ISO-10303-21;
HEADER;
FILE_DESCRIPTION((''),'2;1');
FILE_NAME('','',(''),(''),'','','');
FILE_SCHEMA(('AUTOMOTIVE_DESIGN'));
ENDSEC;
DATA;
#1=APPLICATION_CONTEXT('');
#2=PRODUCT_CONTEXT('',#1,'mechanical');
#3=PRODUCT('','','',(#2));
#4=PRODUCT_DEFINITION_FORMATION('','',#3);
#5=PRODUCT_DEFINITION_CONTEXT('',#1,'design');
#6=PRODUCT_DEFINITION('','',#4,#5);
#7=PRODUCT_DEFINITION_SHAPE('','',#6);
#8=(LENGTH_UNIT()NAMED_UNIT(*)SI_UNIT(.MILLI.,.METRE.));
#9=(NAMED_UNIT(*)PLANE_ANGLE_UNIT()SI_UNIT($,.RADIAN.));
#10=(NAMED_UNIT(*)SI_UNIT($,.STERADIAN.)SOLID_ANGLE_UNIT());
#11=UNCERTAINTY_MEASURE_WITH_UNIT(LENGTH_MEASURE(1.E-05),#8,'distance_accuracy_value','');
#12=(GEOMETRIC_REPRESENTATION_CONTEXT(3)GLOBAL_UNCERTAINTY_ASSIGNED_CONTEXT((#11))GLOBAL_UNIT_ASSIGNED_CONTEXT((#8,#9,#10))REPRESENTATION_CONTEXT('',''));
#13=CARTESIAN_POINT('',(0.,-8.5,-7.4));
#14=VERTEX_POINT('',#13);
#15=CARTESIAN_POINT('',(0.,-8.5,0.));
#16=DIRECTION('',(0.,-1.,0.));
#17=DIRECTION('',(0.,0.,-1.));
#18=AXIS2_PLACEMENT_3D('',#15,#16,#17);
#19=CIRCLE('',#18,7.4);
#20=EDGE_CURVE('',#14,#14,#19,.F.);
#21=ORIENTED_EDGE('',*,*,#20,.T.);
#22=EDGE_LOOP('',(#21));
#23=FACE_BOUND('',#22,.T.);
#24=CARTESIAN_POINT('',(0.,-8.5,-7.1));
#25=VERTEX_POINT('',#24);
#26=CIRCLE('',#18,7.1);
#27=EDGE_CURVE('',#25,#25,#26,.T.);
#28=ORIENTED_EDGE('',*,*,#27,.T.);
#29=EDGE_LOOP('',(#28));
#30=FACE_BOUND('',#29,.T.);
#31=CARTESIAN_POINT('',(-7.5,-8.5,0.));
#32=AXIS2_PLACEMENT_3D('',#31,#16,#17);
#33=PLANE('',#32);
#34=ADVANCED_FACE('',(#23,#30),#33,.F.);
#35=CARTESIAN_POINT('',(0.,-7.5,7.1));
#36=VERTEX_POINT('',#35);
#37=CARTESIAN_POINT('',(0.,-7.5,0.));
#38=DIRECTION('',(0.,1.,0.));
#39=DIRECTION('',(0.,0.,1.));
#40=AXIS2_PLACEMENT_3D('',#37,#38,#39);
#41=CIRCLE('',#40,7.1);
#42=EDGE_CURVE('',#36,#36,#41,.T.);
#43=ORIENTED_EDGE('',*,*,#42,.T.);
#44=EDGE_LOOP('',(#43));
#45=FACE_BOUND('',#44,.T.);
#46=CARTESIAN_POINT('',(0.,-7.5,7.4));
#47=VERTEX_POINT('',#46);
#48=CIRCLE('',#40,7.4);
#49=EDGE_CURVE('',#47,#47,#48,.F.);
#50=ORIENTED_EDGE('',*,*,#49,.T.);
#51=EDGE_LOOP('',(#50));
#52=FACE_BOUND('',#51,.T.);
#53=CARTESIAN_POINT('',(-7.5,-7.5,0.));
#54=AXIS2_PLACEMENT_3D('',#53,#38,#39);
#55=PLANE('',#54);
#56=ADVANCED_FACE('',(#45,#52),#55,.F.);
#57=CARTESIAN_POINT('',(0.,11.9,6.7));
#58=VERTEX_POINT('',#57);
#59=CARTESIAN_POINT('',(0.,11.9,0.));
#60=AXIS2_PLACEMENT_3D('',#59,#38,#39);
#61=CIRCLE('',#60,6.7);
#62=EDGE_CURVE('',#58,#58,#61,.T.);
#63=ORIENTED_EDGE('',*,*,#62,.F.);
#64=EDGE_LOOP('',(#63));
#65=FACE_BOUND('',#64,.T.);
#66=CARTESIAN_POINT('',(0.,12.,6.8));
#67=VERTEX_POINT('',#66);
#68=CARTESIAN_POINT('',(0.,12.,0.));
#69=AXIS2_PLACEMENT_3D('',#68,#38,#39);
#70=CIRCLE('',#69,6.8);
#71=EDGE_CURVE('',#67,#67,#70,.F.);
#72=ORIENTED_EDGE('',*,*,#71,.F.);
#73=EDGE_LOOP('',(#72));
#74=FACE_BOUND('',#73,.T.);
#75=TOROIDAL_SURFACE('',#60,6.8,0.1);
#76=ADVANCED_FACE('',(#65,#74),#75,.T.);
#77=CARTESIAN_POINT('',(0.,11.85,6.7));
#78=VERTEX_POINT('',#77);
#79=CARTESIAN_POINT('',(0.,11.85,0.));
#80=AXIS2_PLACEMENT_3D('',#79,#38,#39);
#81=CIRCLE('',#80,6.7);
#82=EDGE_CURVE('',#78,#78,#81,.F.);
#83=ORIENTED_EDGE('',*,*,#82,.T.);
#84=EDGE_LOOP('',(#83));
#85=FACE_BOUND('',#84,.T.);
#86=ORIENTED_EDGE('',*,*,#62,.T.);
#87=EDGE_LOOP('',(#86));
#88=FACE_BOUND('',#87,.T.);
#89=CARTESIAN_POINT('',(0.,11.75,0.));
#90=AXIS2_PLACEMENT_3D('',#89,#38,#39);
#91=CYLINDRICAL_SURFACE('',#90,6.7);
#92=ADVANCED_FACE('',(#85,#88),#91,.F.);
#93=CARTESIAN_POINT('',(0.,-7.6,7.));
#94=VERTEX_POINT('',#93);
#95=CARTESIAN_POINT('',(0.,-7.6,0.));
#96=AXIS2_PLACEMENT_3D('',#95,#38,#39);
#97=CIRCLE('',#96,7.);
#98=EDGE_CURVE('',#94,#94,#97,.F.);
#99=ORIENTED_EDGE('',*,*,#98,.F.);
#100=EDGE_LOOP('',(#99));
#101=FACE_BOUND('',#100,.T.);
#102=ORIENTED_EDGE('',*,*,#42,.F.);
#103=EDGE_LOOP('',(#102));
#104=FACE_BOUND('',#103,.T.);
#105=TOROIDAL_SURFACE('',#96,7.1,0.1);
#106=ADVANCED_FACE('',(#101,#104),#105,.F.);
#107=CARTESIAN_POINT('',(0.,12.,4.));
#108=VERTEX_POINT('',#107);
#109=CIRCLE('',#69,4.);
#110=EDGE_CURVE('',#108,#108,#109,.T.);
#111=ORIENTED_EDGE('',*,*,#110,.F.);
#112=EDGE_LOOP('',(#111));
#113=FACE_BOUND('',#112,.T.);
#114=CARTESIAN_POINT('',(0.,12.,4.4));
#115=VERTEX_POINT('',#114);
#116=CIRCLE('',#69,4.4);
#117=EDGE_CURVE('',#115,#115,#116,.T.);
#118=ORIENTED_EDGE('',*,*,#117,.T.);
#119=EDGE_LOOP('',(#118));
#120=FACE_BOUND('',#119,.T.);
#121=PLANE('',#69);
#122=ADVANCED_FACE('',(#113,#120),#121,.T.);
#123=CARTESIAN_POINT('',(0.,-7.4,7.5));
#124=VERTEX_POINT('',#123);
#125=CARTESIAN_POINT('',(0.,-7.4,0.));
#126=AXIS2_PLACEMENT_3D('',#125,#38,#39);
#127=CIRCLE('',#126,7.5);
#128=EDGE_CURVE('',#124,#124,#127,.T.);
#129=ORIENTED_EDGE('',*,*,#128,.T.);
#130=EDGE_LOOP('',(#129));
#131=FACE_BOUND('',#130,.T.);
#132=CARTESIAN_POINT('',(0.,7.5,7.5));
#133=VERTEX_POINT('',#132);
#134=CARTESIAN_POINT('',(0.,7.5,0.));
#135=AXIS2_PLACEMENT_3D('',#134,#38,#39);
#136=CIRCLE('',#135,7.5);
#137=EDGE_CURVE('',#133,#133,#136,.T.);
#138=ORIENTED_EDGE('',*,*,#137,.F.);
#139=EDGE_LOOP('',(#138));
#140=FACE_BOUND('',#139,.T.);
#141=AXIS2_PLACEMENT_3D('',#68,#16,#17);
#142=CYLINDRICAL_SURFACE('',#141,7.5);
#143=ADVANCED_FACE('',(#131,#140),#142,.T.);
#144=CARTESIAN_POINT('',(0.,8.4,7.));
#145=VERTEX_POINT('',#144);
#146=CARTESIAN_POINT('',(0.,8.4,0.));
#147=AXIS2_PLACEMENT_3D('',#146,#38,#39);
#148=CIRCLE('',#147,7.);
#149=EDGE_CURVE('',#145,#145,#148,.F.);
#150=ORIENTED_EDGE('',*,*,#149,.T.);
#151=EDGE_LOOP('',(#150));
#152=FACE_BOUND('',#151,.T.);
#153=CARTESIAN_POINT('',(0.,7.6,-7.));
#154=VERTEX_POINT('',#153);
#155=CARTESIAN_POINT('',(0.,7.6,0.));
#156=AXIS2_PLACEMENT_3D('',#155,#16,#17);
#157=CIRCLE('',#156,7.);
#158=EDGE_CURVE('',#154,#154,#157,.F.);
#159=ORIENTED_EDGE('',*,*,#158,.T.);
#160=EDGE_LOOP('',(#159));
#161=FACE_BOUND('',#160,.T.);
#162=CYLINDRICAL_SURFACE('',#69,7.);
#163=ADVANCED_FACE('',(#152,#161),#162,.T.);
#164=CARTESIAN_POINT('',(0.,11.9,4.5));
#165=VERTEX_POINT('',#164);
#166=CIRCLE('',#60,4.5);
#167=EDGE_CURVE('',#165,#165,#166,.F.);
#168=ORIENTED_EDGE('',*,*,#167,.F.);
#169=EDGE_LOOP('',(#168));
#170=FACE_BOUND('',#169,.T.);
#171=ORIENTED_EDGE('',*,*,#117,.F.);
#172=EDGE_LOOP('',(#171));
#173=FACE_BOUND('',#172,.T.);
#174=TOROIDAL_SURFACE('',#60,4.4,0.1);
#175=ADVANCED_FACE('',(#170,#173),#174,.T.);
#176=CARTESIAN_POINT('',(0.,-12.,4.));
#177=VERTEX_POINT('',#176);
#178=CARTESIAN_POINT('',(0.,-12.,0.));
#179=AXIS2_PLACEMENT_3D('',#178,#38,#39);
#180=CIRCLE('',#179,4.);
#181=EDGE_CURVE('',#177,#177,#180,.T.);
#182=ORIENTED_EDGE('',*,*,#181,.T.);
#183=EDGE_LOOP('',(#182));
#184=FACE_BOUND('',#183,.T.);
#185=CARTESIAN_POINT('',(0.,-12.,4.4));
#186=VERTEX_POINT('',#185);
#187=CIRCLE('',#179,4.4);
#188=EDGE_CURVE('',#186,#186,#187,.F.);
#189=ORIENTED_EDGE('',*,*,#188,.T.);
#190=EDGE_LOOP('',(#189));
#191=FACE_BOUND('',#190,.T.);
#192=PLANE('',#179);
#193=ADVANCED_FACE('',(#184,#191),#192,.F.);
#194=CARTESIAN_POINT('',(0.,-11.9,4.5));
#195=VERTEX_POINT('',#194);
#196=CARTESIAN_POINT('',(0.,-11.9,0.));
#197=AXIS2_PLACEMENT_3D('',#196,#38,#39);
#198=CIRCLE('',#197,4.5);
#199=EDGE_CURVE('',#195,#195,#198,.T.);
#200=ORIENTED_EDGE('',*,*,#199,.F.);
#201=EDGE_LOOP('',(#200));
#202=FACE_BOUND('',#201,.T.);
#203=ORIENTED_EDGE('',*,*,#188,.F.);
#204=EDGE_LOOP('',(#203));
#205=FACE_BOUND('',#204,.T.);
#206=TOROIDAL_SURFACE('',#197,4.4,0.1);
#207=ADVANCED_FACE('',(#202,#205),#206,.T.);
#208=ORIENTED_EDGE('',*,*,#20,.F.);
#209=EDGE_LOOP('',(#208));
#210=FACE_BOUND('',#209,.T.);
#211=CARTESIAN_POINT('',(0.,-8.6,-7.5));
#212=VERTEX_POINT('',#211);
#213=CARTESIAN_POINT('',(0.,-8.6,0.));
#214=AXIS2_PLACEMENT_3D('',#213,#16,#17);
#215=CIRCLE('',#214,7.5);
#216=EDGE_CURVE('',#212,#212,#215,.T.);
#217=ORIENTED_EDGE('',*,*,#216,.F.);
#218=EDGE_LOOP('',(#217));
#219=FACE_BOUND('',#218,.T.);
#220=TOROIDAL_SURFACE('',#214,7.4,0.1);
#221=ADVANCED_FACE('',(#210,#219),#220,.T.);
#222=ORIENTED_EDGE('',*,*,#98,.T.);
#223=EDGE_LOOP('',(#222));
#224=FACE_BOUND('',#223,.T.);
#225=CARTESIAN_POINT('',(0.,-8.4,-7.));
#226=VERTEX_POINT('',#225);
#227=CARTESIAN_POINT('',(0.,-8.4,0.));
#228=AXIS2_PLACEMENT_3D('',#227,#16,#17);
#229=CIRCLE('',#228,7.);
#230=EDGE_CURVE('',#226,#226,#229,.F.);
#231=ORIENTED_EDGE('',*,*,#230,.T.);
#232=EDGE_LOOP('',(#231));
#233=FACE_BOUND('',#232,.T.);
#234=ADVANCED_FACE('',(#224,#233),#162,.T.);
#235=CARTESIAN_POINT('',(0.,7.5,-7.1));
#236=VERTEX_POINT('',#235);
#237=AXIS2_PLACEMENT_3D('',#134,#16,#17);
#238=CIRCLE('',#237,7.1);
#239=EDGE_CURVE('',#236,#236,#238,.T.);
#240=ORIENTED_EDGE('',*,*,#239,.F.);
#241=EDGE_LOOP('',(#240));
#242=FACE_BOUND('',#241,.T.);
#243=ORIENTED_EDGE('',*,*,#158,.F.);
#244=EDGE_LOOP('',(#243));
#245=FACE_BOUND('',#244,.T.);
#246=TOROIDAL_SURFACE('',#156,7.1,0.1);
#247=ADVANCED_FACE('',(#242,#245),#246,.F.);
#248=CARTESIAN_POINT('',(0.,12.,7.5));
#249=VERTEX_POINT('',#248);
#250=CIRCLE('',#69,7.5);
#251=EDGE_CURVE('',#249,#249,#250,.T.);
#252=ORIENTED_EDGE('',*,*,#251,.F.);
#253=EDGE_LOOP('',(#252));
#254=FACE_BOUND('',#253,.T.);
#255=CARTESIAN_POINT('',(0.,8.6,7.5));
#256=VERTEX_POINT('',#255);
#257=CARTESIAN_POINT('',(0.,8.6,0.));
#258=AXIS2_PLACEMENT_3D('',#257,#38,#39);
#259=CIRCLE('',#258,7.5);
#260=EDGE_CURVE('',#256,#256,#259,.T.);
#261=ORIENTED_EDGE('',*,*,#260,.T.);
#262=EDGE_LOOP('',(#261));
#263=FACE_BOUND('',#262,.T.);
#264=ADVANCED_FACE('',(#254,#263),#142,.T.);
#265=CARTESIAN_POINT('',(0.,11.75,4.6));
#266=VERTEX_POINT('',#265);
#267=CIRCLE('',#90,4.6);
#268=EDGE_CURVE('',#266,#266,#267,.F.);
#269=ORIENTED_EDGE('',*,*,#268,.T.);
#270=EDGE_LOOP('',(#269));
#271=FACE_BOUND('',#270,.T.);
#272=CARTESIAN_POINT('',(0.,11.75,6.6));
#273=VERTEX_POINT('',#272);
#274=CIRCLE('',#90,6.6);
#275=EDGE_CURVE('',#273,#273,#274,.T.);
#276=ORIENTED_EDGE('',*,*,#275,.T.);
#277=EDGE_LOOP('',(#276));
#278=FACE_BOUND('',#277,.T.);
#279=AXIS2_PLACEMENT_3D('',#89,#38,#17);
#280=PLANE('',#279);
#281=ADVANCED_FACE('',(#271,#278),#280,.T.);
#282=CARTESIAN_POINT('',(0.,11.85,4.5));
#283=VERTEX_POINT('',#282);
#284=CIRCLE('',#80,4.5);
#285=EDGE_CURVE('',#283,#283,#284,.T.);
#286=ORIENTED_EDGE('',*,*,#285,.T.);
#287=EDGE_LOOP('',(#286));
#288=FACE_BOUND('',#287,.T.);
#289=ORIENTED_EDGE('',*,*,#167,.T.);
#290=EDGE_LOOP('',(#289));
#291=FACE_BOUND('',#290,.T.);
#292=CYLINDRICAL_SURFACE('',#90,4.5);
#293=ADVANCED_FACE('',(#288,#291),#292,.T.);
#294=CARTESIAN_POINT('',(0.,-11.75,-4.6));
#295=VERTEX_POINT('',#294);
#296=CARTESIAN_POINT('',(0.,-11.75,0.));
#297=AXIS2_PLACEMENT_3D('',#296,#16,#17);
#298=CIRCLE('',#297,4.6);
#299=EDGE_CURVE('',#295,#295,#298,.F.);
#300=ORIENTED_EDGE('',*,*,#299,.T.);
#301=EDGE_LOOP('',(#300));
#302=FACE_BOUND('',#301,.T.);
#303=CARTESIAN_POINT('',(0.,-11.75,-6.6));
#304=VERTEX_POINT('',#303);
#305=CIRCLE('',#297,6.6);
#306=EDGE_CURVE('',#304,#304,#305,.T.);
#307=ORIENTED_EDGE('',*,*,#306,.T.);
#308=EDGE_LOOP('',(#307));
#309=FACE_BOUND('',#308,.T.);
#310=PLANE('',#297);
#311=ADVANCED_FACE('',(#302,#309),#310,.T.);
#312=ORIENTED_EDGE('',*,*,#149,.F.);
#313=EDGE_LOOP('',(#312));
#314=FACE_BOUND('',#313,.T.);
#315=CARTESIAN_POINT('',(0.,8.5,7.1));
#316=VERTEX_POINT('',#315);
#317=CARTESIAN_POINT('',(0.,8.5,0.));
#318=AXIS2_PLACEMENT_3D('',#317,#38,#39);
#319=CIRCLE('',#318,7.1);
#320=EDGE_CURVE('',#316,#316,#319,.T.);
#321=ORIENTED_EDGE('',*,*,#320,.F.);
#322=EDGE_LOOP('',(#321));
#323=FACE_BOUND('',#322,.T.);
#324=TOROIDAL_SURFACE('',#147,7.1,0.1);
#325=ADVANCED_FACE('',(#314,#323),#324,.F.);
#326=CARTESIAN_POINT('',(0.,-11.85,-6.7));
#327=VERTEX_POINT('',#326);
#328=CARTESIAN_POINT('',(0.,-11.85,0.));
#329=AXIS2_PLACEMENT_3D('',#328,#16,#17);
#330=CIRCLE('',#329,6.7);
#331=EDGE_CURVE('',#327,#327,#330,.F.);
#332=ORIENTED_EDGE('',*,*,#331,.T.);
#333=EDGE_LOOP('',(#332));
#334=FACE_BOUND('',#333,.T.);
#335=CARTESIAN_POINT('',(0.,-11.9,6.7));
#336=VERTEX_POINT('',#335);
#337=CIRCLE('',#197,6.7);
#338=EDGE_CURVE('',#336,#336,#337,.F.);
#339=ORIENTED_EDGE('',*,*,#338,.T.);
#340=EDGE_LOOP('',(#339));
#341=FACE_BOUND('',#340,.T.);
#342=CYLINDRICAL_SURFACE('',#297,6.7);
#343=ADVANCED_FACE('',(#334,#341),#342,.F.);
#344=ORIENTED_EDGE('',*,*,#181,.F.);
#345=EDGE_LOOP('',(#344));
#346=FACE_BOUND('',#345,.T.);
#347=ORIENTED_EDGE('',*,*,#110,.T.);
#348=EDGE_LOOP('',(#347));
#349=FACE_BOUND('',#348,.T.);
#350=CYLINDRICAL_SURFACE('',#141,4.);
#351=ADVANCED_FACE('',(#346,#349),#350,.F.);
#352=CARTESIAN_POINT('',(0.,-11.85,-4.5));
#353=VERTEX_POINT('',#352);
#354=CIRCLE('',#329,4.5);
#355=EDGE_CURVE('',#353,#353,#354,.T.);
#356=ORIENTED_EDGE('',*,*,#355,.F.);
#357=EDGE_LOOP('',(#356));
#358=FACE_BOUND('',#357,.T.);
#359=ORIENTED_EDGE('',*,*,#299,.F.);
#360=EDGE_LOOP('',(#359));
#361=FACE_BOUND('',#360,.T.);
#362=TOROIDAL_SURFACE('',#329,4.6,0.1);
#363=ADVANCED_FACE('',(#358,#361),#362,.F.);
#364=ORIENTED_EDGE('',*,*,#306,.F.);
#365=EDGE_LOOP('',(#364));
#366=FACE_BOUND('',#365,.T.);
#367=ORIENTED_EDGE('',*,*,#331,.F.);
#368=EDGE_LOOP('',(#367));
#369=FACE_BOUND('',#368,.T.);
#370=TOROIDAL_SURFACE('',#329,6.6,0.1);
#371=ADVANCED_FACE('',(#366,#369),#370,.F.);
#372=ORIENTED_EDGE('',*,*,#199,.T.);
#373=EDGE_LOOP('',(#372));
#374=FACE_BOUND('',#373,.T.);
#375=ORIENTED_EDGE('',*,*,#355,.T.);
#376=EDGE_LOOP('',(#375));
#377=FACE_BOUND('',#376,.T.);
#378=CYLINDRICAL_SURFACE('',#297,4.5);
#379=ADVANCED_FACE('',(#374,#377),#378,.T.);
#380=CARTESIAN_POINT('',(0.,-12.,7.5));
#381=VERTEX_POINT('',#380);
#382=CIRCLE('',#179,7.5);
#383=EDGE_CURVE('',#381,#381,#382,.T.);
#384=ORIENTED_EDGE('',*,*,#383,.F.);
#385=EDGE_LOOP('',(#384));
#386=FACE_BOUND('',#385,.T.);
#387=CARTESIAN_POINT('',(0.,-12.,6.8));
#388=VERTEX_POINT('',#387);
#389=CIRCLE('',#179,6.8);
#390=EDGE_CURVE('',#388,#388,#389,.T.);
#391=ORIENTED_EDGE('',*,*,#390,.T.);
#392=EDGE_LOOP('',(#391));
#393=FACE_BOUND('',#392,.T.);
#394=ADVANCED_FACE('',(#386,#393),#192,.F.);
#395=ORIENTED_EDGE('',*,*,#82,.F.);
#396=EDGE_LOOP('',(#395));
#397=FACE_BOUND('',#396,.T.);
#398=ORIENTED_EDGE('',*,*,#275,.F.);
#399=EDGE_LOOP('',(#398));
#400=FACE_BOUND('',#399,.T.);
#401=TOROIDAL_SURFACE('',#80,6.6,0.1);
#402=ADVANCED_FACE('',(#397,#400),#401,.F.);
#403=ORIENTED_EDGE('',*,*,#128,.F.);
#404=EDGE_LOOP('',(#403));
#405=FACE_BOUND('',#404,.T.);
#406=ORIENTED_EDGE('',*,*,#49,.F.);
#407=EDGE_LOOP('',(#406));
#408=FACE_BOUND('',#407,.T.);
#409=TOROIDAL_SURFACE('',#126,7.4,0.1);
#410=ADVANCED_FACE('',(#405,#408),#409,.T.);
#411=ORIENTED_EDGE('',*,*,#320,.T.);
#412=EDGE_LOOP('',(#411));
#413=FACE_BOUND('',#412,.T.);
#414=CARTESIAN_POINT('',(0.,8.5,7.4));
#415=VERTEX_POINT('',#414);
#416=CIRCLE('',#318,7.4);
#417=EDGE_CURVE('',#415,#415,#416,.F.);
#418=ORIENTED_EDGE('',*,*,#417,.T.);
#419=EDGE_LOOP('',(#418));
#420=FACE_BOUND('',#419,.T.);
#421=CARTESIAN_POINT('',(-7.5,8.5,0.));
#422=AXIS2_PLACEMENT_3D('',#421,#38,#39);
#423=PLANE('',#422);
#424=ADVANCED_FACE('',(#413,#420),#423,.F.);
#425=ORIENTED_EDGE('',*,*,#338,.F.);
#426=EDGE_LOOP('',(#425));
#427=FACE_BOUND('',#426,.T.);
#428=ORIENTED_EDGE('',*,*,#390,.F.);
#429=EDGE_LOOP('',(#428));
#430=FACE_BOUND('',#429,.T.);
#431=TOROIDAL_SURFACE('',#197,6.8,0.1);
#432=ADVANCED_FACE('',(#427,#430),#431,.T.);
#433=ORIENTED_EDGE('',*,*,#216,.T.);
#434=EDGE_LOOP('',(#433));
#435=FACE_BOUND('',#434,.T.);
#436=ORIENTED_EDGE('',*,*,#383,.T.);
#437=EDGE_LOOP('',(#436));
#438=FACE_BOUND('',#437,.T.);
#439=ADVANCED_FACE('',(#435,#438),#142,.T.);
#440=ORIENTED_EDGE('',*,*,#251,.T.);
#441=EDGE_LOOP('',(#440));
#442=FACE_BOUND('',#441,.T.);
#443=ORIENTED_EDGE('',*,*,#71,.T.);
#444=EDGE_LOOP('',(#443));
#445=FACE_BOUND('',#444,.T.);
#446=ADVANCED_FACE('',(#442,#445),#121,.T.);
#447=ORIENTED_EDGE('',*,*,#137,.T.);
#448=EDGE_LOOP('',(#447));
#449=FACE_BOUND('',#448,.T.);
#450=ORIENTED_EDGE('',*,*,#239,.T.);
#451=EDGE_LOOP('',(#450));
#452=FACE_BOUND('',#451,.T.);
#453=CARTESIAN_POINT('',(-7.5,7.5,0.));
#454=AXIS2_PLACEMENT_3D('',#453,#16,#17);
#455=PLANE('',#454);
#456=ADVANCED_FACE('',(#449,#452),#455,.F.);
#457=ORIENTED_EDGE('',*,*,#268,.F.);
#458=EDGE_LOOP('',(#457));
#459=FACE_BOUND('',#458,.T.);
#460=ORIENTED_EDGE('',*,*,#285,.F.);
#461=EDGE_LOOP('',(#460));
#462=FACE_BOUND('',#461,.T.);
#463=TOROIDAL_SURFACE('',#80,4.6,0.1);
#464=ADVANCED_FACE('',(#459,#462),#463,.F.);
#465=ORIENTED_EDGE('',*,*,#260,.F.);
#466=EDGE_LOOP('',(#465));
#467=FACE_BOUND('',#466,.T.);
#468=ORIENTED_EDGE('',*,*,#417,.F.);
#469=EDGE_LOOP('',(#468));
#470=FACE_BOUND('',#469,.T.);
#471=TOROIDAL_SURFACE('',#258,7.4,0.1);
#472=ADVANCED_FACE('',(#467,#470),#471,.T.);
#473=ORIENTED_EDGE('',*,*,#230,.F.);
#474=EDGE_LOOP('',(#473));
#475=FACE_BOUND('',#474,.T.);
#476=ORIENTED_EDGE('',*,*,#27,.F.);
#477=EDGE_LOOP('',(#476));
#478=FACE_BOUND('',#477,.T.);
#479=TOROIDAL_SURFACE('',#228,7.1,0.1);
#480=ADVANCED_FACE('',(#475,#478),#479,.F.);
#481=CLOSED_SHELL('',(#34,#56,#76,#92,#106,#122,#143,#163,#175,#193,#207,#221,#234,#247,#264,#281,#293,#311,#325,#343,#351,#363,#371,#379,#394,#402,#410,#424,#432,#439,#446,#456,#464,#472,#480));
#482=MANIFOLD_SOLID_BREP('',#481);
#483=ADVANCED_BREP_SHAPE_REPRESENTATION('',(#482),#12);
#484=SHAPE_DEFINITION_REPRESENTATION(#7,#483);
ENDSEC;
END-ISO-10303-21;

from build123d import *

# Parameters (mm, degrees)
SKETCH1_R           = 7.5
SKETCH1_R_2         = 4
BOSS_EXTRUDE1_DEPTH = 12
SKETCH2_W           = 0.5
SKETCH2_H           = 1
SKETCH3_R           = 6.7
SKETCH3_R_2         = 4.5
CUT_EXTRUDE1_DEPTH  = 0.25
FILLET1_R           = 0.1


with BuildPart() as part:
    # Sketch1 → Boss-Extrude1 (new, symmetric)
    with BuildSketch(Plane(origin=(0, 0, 0), x_dir=(1, 0, 0), z_dir=(0, 1, 0))):
        with Locations(Location((0, 0, 0), (0, 0, 270))):
            Circle(SKETCH1_R)
        with Locations(Location((0, 0, 0), (0, 0, 270))):
            Circle(SKETCH1_R_2, mode=Mode.SUBTRACT)
    extrude(amount=BOSS_EXTRUDE1_DEPTH, both=True)

    # Sketch2 → Cut-Revolve2 (revolve, cut)
    with BuildSketch(Plane.XY, mode=Mode.PRIVATE) as cut_revolve2_sk:
        with Locations((-7.25, 8)):
            Rectangle(SKETCH2_W, SKETCH2_H)
        with Locations((-7.25, -8)):
            Rectangle(SKETCH2_W, SKETCH2_H)
    revolve(cut_revolve2_sk.sketch.rotate(Axis((0, 12, 0), (0, -1, 0)), 270), axis=Axis((0, 12, 0), (0, -1, 0)), mode=Mode.SUBTRACT)

    # Sketch3 → Cut-Extrude1 (cut)
    with BuildSketch(Plane.XZ.offset(12)):
        with Locations(Location((0, 0, 0), (0, 0, 270))):
            Circle(SKETCH3_R)
        with Locations(Location((0, 0, 0), (0, 0, 270))):
            Circle(SKETCH3_R_2, mode=Mode.SUBTRACT)
    cut_extrude1 = extrude(amount=-CUT_EXTRUDE1_DEPTH, mode=Mode.SUBTRACT)

    # Mirror1: Cut-Extrude1 across plane
    add(cut_extrude1.mirror(Plane.ZX), mode=Mode.SUBTRACT)

    # Fillet1
    fillet1_edges = [part.edges().sort_by_distance(p)[0] for p in [
        (0, 7.5, -7),
        (0, 8.5, -7),
        (0, 8.5, -7.5),
        (0, -8.5, -7),
        (0, -7.5, -7),
        (0, -7.5, -7.5),
        (0, -8.5, -7.5),
        (0, -11.75, 6.7),
        (0, -11.75, 4.5),
        (0, -12, 6.7),
        (0, -12, 4.5),
        (0, 11.75, 6.7),
        (0, 12, 4.5),
        (0, 12, 6.7),
        (0, 11.75, 4.5),
    ]]
    fillet(fillet1_edges, radius=FILLET1_R)


solid = part.part
